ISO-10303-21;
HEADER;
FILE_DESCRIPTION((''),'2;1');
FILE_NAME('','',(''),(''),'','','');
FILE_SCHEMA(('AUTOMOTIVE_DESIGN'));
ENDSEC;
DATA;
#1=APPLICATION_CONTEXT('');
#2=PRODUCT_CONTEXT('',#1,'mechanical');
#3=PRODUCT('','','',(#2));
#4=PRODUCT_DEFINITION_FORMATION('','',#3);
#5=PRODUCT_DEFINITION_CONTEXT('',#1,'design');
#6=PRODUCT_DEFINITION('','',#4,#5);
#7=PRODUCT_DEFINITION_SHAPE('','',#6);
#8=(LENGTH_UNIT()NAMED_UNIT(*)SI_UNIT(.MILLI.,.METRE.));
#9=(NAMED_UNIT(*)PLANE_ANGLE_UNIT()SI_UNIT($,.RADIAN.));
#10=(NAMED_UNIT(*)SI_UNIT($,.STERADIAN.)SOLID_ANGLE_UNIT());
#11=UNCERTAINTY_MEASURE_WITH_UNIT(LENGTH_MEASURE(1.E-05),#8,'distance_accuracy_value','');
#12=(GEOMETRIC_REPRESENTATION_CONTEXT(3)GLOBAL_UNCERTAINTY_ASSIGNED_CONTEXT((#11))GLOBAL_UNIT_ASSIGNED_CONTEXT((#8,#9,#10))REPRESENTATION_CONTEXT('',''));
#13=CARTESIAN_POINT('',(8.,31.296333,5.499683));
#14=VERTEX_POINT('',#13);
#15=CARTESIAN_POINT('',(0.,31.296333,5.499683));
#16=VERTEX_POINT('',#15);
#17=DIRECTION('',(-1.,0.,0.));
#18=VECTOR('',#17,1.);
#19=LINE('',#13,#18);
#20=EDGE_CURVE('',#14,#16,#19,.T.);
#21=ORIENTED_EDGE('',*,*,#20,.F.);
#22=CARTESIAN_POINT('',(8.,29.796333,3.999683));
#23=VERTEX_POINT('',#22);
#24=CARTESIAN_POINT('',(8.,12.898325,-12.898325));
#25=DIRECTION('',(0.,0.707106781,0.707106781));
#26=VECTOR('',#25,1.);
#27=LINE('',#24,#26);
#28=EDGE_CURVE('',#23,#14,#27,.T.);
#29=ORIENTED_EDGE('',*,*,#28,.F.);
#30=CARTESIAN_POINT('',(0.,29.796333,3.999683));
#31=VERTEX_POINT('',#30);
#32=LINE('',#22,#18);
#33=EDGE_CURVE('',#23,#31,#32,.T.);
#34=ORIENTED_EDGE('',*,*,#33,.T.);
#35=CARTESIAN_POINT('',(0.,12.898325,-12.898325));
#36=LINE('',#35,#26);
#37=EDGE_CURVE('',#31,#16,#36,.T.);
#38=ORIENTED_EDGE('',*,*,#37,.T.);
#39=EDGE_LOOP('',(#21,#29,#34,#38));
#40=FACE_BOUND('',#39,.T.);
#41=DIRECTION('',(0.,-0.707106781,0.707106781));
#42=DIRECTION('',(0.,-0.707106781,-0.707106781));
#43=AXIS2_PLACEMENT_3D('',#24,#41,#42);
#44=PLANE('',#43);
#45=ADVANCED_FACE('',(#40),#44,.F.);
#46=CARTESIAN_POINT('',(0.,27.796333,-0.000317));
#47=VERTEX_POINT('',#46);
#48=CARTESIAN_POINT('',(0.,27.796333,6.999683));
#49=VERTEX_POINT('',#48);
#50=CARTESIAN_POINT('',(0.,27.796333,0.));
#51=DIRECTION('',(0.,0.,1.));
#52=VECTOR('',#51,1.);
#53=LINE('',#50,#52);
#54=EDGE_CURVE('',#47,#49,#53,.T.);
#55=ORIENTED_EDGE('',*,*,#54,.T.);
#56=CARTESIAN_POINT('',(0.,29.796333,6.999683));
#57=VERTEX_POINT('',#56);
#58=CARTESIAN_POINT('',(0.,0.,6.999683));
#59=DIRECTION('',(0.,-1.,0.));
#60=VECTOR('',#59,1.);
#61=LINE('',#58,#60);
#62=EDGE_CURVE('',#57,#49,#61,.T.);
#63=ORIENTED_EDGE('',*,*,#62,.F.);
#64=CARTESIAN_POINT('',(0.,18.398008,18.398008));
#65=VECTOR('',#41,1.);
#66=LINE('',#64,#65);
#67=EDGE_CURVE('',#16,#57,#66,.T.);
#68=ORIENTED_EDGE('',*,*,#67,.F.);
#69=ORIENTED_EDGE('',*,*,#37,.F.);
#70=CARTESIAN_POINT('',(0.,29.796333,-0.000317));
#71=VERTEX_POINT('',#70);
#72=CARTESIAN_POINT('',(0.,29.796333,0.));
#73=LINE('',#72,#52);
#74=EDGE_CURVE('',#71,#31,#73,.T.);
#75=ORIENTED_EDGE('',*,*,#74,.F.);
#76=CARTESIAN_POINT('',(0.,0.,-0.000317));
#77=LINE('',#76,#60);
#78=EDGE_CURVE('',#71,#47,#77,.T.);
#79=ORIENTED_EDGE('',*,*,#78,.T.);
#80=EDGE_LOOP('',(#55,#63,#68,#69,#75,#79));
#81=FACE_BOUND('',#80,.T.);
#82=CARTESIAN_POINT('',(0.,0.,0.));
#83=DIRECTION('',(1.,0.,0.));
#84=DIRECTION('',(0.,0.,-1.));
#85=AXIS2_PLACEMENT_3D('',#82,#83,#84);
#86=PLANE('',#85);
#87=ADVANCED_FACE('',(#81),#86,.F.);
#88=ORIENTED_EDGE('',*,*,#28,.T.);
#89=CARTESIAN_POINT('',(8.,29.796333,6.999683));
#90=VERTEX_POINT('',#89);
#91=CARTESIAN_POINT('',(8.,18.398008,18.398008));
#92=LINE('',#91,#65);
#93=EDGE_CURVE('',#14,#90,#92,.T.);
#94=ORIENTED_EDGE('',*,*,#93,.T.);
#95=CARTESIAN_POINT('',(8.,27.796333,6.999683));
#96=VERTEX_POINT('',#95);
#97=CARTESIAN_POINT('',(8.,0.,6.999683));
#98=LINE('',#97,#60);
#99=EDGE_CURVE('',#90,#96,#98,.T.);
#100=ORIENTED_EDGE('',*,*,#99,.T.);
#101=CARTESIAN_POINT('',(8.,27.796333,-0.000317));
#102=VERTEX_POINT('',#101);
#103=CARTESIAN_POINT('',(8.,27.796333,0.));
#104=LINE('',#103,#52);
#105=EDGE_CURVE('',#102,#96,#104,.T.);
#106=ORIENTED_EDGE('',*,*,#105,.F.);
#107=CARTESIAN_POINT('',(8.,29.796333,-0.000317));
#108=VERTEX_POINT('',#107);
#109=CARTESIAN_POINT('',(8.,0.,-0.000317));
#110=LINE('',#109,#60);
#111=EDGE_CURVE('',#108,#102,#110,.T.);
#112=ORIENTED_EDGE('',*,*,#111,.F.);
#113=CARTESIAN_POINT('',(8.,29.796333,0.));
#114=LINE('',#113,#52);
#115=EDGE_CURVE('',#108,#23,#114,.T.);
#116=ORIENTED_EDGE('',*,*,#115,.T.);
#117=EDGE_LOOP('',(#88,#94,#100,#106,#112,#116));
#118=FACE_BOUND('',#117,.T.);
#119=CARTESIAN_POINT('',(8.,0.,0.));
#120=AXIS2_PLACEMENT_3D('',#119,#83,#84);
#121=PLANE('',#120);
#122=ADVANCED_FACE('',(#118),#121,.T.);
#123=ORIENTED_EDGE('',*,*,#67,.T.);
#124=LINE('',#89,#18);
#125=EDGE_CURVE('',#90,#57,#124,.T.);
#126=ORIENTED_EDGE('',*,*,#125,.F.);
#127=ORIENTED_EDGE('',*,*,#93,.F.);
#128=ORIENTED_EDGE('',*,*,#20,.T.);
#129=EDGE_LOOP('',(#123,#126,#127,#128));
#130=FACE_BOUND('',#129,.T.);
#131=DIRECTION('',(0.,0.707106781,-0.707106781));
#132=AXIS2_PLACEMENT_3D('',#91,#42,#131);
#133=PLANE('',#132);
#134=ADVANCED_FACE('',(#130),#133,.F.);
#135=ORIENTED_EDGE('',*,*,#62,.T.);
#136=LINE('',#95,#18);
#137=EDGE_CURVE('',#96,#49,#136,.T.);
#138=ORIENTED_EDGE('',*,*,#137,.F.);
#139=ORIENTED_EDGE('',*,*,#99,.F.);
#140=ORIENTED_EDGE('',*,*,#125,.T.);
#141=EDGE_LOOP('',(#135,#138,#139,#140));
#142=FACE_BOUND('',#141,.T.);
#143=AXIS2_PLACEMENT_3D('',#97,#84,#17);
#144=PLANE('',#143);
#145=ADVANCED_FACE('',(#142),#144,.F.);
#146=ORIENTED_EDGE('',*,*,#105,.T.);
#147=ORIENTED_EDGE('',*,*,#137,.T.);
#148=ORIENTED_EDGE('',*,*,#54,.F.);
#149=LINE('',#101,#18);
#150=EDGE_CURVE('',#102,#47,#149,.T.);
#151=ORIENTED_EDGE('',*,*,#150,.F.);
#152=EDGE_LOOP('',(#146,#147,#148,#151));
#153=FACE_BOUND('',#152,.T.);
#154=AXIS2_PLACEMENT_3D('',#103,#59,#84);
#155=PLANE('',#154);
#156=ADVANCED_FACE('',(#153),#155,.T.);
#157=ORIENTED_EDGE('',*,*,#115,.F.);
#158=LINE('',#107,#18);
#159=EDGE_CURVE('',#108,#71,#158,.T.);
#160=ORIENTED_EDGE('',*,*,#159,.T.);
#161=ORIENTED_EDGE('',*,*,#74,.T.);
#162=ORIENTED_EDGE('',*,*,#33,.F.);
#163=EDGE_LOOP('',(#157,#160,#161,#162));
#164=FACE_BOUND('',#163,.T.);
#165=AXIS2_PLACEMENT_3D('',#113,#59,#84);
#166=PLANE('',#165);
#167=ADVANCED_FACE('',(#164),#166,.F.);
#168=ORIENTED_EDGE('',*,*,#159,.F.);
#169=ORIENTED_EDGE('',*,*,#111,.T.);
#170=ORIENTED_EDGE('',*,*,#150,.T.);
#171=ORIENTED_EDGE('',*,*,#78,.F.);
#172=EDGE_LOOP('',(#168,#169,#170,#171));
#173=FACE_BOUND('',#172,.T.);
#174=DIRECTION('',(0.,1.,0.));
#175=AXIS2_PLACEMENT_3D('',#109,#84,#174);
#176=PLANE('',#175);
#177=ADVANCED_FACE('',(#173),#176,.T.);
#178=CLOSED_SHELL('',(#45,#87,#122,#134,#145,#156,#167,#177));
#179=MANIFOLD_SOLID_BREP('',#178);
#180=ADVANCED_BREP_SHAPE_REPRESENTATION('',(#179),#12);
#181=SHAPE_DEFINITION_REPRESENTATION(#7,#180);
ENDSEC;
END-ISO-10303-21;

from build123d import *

# Parameters (mm, degrees)
BOSS_EXTRUDE1_DEPTH = 8


with BuildPart() as part:
    # Sketch2 → Boss-Extrude1 (new body)
    with BuildSketch(Plane(origin=(0, 0, 0), x_dir=(0, 0, -1), z_dir=(1, 0, 0))):
        Polygon((0.000317111, 27.796332929), (0.000317111, 29.796332929), (-3.999682889, 29.796332929), (-6.999682889, 29.796332929), (-6.999682889, 27.796332929), align=None)
        Polygon((-6.999682889, 29.796332929), (-3.999682889, 29.796332929), (-5.499682889, 31.296332929), align=None)
    extrude(amount=BOSS_EXTRUDE1_DEPTH)


solid = part.part
